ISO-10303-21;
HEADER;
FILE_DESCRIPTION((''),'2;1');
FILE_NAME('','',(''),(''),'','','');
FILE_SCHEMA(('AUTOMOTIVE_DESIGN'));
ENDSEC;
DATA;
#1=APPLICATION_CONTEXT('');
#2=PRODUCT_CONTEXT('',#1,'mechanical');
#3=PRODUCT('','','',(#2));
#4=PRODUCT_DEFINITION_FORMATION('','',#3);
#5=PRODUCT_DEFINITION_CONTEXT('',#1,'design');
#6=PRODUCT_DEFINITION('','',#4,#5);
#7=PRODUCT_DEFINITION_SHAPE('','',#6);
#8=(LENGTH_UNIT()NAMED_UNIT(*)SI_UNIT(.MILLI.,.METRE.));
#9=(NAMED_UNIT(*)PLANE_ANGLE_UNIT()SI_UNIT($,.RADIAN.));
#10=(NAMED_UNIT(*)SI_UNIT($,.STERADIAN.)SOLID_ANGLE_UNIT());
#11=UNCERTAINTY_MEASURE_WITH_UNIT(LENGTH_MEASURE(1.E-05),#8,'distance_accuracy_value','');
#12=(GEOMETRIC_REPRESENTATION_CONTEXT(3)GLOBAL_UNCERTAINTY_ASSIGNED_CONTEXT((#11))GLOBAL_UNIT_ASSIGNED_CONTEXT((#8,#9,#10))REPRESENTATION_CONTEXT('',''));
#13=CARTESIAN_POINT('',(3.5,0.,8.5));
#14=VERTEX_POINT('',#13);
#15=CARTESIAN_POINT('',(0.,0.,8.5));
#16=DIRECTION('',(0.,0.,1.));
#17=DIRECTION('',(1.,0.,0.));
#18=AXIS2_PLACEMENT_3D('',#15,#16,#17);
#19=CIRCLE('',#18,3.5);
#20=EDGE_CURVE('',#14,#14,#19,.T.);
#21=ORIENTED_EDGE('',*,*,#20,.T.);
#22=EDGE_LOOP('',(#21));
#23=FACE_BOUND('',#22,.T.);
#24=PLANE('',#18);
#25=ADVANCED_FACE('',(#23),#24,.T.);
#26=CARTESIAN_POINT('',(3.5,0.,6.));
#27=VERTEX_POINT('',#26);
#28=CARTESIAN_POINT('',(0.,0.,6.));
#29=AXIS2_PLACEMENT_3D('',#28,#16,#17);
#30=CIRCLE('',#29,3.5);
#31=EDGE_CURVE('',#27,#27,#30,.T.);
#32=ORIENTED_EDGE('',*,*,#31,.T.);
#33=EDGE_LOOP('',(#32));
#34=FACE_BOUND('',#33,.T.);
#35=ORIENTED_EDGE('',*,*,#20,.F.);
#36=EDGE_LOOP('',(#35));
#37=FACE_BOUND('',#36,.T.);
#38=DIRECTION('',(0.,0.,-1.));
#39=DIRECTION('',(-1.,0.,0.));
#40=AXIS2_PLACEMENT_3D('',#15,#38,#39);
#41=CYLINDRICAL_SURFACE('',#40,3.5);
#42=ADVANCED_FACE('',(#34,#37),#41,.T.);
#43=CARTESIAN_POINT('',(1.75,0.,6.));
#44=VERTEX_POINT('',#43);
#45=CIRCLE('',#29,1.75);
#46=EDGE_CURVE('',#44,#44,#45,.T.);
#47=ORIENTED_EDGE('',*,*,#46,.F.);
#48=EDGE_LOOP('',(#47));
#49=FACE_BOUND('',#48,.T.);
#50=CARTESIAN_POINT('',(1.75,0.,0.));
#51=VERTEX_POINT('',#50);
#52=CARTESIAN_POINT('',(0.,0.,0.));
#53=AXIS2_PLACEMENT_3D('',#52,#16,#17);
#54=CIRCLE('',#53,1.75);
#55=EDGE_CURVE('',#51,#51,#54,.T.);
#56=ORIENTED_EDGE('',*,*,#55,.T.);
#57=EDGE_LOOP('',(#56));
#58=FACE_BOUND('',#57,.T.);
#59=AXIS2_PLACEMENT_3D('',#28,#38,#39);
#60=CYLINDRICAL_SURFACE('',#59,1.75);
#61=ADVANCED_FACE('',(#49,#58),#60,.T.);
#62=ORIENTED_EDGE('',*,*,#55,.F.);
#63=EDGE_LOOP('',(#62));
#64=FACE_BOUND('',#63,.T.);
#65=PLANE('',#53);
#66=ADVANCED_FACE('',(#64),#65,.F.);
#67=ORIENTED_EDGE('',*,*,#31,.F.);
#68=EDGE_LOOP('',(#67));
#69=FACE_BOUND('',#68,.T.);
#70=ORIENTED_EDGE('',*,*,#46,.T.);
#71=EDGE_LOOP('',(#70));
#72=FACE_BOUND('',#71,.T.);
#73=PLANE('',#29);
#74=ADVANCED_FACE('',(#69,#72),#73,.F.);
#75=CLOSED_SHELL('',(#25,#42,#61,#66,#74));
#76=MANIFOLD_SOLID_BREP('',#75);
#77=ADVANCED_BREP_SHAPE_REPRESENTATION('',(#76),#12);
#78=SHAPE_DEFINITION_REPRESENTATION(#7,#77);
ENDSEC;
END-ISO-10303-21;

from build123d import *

# Parameters (mm, degrees)
SKETCH1_R           = 1.75
BOSS_EXTRUDE1_DEPTH = 6
SKETCH2_R           = 3.5
BOSS_EXTRUDE2_DEPTH = 2.5


with BuildPart() as part:
    # Sketch1 → Boss-Extrude1 (new body)
    with BuildSketch(Plane.XY):
        Circle(SKETCH1_R)
    extrude(amount=BOSS_EXTRUDE1_DEPTH)

    # Sketch2 → Boss-Extrude2 (add)
    with BuildSketch(Plane.XY.offset(6)):
        Circle(SKETCH2_R)
    extrude(amount=BOSS_EXTRUDE2_DEPTH)


solid = part.part
